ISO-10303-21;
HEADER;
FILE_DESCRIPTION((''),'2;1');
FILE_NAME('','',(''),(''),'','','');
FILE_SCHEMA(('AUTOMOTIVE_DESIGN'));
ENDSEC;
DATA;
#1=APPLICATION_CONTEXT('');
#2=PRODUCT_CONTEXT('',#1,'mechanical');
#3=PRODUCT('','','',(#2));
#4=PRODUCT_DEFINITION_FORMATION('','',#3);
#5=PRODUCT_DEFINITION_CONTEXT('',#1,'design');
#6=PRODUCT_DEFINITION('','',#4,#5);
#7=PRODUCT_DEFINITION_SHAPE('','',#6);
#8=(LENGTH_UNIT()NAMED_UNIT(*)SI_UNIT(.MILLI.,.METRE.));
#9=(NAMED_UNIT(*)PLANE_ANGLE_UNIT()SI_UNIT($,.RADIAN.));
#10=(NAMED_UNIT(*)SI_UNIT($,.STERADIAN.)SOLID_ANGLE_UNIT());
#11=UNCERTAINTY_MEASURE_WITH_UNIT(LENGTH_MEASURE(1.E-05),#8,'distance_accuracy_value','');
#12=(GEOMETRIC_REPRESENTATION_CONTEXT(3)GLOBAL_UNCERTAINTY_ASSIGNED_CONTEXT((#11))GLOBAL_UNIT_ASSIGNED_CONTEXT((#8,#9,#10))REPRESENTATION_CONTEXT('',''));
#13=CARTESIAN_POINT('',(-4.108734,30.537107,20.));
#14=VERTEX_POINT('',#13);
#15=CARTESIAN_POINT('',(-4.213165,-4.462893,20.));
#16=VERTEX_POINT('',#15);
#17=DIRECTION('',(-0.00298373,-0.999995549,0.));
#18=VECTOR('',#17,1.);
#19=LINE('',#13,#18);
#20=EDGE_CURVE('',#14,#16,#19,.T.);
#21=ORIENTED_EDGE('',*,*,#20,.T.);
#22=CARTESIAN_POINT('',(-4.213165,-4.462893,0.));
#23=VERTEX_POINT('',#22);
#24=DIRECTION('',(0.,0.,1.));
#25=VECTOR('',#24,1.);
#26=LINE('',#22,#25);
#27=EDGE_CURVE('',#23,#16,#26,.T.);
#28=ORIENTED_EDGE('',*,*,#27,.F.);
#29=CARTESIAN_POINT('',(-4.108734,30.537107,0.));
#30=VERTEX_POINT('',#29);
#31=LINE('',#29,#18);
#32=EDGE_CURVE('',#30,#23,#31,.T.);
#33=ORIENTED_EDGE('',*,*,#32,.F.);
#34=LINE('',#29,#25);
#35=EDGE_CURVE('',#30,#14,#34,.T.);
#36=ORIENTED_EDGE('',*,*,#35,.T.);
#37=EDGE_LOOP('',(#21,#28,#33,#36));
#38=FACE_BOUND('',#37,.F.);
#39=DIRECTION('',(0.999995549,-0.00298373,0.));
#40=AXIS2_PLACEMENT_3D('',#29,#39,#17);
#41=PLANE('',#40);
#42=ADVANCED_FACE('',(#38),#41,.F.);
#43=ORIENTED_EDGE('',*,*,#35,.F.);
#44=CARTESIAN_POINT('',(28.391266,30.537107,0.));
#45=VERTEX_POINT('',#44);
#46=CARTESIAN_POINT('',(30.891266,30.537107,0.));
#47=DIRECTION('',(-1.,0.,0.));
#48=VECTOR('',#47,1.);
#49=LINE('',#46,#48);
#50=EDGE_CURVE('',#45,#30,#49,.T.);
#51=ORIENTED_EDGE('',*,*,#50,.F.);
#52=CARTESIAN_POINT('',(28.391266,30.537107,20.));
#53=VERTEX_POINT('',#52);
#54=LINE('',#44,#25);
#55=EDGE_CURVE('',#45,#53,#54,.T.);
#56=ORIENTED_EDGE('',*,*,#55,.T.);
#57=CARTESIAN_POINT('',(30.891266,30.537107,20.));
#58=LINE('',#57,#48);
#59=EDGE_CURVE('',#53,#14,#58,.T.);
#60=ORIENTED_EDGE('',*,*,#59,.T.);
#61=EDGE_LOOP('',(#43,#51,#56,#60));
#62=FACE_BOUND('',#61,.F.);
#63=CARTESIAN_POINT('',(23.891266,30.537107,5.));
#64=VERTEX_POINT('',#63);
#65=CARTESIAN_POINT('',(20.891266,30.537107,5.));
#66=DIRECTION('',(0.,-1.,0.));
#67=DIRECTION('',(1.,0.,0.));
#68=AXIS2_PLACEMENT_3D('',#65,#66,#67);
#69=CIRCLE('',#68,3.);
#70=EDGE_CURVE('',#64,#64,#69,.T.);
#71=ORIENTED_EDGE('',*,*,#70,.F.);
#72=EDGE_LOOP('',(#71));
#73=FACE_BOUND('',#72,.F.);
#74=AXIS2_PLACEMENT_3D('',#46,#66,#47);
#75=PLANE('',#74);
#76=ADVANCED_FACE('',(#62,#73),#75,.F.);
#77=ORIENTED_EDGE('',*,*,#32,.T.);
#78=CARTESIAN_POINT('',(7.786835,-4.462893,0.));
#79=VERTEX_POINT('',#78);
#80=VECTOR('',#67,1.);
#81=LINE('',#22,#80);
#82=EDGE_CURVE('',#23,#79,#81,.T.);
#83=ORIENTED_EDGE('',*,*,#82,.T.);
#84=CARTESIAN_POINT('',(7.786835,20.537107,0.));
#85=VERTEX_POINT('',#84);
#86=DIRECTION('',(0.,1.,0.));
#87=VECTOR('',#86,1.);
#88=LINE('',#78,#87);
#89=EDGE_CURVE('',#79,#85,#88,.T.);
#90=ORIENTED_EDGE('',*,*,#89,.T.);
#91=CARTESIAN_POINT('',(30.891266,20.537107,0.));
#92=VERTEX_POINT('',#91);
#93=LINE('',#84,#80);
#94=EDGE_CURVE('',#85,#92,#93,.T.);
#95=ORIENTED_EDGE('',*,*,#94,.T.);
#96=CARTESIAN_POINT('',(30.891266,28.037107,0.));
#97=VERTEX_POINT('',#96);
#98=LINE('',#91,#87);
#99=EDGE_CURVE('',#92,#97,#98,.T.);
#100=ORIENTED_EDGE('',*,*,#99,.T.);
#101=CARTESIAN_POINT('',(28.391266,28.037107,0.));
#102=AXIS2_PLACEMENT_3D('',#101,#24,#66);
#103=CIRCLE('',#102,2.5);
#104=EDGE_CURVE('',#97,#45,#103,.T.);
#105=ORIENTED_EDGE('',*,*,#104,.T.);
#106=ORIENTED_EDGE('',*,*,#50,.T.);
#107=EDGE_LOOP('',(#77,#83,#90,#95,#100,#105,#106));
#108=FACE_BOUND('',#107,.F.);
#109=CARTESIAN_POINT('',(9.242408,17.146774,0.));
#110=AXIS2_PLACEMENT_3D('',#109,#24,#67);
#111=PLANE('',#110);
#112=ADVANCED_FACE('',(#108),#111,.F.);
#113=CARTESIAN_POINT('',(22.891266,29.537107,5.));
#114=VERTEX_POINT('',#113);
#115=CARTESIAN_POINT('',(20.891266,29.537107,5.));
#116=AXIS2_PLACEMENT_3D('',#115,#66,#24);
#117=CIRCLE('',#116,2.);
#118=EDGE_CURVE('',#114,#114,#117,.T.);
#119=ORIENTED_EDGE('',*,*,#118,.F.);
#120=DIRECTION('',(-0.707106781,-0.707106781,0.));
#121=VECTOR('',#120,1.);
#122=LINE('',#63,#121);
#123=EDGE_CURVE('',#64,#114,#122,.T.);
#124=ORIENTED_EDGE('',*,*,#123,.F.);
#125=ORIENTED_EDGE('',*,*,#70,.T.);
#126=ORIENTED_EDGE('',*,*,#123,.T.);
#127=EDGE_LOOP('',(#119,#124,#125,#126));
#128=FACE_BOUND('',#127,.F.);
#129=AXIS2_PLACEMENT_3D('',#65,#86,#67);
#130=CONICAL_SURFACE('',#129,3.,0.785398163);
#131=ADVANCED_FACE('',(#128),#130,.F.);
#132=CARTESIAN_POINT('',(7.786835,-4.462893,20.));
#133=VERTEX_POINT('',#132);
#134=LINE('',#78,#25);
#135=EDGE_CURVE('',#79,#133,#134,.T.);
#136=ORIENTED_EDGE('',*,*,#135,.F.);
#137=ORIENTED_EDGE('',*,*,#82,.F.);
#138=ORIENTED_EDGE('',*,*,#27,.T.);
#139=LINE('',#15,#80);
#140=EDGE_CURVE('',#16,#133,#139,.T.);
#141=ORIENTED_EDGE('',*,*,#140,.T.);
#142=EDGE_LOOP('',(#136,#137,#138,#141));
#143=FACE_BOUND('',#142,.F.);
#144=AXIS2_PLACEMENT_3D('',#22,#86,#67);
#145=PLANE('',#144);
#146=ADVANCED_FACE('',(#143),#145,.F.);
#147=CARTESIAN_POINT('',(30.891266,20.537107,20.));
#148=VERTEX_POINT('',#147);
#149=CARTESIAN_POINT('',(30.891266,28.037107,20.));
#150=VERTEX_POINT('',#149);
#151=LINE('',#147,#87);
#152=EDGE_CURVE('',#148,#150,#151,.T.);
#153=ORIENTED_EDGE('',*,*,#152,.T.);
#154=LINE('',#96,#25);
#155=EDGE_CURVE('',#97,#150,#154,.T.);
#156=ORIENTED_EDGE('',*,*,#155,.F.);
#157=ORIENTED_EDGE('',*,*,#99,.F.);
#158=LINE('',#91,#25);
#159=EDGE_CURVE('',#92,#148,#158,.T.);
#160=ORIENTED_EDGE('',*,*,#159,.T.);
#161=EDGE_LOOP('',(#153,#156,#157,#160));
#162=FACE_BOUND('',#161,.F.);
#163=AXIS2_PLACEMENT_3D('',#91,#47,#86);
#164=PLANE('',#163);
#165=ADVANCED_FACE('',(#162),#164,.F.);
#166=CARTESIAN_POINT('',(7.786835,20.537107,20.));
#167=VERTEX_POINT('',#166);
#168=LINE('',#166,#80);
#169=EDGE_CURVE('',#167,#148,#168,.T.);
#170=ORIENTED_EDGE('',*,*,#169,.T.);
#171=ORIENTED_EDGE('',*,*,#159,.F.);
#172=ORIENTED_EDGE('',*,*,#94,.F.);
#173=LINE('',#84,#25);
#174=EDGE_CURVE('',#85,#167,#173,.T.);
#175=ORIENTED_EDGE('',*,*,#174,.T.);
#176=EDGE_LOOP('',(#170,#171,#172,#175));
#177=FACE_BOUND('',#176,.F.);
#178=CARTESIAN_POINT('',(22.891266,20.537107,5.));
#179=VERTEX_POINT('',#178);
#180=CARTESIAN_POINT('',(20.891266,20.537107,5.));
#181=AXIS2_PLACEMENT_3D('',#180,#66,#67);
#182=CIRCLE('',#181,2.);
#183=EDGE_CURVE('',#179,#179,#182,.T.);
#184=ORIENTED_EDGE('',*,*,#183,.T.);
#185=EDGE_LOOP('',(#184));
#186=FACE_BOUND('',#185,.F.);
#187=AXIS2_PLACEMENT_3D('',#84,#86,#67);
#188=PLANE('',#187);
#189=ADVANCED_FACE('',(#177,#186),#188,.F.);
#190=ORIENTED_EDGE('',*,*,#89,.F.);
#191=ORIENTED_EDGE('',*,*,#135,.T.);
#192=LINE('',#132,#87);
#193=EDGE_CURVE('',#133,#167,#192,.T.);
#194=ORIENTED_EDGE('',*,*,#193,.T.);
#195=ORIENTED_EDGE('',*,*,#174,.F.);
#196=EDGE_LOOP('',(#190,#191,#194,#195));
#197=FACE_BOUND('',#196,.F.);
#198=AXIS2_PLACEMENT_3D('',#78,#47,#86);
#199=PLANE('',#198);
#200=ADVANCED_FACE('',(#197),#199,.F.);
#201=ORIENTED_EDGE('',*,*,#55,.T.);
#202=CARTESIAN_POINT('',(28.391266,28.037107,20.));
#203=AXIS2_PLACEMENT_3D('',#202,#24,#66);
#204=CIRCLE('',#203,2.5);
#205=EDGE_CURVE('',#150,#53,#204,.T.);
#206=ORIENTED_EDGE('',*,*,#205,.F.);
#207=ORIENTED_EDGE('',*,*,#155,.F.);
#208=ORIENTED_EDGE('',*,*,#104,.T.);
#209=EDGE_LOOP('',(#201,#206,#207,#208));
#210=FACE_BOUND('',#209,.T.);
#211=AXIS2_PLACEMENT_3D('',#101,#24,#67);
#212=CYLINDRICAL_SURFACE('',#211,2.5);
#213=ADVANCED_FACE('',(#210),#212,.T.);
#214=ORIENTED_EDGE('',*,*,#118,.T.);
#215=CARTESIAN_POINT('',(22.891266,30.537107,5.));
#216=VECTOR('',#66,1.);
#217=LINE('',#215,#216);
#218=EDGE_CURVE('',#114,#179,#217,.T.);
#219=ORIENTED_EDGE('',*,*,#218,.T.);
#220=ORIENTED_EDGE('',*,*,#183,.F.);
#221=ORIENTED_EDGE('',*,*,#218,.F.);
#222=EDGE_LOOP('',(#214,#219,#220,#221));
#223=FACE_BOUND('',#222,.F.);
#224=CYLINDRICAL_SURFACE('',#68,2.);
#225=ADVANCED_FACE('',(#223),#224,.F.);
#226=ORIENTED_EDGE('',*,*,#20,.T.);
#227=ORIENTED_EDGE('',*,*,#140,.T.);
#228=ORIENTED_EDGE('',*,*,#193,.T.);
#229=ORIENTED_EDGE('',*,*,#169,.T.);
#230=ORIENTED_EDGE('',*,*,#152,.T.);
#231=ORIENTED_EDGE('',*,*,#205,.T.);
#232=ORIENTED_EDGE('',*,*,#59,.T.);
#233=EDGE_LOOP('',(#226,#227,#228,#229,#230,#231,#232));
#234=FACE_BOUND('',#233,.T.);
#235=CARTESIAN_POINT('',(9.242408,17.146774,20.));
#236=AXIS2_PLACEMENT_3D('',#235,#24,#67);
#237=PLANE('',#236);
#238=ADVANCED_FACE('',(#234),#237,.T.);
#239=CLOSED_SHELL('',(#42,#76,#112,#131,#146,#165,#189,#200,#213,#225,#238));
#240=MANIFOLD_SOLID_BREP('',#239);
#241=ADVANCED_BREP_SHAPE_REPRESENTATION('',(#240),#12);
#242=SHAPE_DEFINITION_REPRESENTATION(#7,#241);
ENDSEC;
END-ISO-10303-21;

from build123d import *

# Parameters (mm, degrees)
F1_DEPTH       = 20
F3_D           = 4
F3_CSINK_D     = 6
F3_CSINK_ANGLE = 90
F4_R           = 2.5


with BuildPart() as f1:
    # F0 (on Top) → F1 (new body)
    with BuildSketch(Plane.XY):
        Polygon((-4.108734, 30.537107), (-4.213165, -4.462893), (7.786835, -4.462893), (7.786835, 20.537107), (30.891266, 20.537107), (30.891266, 30.537107), align=None)
    extrude(amount=F1_DEPTH)

    # F3 (through all)
    with Locations(Plane(origin=(0, 30.537107, 0), x_dir=(-1, 0, 0), z_dir=(0, 1, 0))):
        with Locations((-20.891266, 5)):
            CounterSinkHole(F3_D / 2, F3_CSINK_D / 2, counter_sink_angle=F3_CSINK_ANGLE)

    # F4
    f4_edges = [f1.edges().sort_by_distance(p)[0] for p in [
        (30.891266, 30.537107, 10),
    ]]
    fillet(f4_edges, radius=F4_R)


solid = f1.part
